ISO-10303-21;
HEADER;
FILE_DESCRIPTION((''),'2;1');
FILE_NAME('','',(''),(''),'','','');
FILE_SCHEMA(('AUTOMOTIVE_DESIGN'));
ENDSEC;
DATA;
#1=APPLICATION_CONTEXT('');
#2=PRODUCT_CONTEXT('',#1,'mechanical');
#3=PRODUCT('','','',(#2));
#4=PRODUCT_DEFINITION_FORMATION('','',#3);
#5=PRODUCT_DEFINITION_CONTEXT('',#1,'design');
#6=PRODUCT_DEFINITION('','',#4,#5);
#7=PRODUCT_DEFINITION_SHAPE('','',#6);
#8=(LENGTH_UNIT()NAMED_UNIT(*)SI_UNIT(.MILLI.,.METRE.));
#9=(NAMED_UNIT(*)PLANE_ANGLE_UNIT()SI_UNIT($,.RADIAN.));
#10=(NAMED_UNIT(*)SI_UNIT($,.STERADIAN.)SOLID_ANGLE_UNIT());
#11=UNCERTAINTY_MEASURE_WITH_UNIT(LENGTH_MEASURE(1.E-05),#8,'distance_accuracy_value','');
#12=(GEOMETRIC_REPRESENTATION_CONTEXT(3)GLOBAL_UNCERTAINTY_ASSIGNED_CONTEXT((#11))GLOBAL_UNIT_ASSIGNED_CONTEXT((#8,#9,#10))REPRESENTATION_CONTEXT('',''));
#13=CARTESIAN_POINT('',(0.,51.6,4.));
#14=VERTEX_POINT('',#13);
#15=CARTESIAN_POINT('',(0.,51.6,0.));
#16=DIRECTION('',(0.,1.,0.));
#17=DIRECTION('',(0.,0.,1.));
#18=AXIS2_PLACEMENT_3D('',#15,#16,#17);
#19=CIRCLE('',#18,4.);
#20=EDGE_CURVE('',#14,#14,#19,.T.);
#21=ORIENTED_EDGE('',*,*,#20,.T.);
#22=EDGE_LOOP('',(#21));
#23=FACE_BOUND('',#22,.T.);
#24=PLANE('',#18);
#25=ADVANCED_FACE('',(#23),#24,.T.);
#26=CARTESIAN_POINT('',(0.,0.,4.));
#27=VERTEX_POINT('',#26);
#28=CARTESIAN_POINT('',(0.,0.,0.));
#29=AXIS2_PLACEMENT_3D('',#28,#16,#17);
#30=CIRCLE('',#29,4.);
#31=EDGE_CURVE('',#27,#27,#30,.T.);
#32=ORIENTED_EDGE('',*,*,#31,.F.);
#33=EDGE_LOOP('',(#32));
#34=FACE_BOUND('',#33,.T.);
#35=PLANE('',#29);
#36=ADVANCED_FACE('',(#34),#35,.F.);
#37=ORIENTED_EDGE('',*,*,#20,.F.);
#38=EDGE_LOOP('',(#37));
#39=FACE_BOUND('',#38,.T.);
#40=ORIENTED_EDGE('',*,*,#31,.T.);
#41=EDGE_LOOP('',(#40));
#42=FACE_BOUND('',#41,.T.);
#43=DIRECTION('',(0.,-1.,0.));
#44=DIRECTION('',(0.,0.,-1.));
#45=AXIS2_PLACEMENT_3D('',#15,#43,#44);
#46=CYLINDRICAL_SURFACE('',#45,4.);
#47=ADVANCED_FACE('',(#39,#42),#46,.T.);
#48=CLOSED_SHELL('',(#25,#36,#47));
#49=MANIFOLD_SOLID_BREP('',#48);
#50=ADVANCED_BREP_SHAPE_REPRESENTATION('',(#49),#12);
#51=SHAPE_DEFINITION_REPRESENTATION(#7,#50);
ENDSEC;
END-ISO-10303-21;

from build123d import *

# Parameters (mm, degrees)
SKETCH_1_R      = 4
EXTRUDE_1_DEPTH = 51.6


with BuildPart() as part:
    # ｽｹｯﾁ1 → ﾎﾞｽ - 押し出し1 (new body)
    with BuildSketch(Plane(origin=(0, 0, 0), x_dir=(1, 0, 0), z_dir=(0, 1, 0))):
        Circle(SKETCH_1_R)
    extrude(amount=EXTRUDE_1_DEPTH)


solid = part.part
